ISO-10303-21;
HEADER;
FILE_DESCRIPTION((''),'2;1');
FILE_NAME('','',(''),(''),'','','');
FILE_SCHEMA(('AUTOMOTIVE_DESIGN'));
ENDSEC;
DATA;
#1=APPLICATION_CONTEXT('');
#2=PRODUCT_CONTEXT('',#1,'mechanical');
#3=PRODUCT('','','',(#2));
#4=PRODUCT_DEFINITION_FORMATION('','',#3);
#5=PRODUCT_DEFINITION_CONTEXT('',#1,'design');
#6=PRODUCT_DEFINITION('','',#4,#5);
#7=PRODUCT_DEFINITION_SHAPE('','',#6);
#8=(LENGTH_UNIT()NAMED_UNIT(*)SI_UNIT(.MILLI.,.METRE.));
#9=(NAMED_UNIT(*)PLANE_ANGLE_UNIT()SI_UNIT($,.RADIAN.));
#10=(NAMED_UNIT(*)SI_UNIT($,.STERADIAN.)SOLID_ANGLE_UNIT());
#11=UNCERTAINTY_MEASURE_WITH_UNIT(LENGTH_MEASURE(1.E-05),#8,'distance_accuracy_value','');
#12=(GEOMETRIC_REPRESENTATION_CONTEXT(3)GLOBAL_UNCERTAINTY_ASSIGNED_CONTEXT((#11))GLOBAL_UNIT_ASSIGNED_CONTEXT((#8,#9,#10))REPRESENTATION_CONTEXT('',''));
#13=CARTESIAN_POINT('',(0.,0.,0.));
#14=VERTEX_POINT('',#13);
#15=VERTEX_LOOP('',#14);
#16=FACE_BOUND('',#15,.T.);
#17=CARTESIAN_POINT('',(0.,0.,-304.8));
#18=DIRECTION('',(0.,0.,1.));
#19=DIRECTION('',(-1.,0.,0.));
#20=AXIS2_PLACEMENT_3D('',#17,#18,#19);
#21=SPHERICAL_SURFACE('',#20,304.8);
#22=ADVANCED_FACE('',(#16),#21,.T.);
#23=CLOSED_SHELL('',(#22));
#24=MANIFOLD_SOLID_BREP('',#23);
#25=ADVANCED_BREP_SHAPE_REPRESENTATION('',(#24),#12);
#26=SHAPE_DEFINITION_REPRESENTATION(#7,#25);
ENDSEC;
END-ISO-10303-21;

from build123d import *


with BuildPart() as part:
    # Sketch1 → Revolve1 (revolve)
    with BuildSketch(Plane(origin=(0, 0, 0), x_dir=(1, 0, 0), z_dir=(0, 1, 0))):
        with BuildLine():
            Line((0, 0), (0, 609.6))
            ThreePointArc((0, 609.6), (304.8, 304.8), (0, 0))
        make_face()
    revolve(axis=Axis((0, 0, 0), (0, 0, -1)))


solid = part.part
